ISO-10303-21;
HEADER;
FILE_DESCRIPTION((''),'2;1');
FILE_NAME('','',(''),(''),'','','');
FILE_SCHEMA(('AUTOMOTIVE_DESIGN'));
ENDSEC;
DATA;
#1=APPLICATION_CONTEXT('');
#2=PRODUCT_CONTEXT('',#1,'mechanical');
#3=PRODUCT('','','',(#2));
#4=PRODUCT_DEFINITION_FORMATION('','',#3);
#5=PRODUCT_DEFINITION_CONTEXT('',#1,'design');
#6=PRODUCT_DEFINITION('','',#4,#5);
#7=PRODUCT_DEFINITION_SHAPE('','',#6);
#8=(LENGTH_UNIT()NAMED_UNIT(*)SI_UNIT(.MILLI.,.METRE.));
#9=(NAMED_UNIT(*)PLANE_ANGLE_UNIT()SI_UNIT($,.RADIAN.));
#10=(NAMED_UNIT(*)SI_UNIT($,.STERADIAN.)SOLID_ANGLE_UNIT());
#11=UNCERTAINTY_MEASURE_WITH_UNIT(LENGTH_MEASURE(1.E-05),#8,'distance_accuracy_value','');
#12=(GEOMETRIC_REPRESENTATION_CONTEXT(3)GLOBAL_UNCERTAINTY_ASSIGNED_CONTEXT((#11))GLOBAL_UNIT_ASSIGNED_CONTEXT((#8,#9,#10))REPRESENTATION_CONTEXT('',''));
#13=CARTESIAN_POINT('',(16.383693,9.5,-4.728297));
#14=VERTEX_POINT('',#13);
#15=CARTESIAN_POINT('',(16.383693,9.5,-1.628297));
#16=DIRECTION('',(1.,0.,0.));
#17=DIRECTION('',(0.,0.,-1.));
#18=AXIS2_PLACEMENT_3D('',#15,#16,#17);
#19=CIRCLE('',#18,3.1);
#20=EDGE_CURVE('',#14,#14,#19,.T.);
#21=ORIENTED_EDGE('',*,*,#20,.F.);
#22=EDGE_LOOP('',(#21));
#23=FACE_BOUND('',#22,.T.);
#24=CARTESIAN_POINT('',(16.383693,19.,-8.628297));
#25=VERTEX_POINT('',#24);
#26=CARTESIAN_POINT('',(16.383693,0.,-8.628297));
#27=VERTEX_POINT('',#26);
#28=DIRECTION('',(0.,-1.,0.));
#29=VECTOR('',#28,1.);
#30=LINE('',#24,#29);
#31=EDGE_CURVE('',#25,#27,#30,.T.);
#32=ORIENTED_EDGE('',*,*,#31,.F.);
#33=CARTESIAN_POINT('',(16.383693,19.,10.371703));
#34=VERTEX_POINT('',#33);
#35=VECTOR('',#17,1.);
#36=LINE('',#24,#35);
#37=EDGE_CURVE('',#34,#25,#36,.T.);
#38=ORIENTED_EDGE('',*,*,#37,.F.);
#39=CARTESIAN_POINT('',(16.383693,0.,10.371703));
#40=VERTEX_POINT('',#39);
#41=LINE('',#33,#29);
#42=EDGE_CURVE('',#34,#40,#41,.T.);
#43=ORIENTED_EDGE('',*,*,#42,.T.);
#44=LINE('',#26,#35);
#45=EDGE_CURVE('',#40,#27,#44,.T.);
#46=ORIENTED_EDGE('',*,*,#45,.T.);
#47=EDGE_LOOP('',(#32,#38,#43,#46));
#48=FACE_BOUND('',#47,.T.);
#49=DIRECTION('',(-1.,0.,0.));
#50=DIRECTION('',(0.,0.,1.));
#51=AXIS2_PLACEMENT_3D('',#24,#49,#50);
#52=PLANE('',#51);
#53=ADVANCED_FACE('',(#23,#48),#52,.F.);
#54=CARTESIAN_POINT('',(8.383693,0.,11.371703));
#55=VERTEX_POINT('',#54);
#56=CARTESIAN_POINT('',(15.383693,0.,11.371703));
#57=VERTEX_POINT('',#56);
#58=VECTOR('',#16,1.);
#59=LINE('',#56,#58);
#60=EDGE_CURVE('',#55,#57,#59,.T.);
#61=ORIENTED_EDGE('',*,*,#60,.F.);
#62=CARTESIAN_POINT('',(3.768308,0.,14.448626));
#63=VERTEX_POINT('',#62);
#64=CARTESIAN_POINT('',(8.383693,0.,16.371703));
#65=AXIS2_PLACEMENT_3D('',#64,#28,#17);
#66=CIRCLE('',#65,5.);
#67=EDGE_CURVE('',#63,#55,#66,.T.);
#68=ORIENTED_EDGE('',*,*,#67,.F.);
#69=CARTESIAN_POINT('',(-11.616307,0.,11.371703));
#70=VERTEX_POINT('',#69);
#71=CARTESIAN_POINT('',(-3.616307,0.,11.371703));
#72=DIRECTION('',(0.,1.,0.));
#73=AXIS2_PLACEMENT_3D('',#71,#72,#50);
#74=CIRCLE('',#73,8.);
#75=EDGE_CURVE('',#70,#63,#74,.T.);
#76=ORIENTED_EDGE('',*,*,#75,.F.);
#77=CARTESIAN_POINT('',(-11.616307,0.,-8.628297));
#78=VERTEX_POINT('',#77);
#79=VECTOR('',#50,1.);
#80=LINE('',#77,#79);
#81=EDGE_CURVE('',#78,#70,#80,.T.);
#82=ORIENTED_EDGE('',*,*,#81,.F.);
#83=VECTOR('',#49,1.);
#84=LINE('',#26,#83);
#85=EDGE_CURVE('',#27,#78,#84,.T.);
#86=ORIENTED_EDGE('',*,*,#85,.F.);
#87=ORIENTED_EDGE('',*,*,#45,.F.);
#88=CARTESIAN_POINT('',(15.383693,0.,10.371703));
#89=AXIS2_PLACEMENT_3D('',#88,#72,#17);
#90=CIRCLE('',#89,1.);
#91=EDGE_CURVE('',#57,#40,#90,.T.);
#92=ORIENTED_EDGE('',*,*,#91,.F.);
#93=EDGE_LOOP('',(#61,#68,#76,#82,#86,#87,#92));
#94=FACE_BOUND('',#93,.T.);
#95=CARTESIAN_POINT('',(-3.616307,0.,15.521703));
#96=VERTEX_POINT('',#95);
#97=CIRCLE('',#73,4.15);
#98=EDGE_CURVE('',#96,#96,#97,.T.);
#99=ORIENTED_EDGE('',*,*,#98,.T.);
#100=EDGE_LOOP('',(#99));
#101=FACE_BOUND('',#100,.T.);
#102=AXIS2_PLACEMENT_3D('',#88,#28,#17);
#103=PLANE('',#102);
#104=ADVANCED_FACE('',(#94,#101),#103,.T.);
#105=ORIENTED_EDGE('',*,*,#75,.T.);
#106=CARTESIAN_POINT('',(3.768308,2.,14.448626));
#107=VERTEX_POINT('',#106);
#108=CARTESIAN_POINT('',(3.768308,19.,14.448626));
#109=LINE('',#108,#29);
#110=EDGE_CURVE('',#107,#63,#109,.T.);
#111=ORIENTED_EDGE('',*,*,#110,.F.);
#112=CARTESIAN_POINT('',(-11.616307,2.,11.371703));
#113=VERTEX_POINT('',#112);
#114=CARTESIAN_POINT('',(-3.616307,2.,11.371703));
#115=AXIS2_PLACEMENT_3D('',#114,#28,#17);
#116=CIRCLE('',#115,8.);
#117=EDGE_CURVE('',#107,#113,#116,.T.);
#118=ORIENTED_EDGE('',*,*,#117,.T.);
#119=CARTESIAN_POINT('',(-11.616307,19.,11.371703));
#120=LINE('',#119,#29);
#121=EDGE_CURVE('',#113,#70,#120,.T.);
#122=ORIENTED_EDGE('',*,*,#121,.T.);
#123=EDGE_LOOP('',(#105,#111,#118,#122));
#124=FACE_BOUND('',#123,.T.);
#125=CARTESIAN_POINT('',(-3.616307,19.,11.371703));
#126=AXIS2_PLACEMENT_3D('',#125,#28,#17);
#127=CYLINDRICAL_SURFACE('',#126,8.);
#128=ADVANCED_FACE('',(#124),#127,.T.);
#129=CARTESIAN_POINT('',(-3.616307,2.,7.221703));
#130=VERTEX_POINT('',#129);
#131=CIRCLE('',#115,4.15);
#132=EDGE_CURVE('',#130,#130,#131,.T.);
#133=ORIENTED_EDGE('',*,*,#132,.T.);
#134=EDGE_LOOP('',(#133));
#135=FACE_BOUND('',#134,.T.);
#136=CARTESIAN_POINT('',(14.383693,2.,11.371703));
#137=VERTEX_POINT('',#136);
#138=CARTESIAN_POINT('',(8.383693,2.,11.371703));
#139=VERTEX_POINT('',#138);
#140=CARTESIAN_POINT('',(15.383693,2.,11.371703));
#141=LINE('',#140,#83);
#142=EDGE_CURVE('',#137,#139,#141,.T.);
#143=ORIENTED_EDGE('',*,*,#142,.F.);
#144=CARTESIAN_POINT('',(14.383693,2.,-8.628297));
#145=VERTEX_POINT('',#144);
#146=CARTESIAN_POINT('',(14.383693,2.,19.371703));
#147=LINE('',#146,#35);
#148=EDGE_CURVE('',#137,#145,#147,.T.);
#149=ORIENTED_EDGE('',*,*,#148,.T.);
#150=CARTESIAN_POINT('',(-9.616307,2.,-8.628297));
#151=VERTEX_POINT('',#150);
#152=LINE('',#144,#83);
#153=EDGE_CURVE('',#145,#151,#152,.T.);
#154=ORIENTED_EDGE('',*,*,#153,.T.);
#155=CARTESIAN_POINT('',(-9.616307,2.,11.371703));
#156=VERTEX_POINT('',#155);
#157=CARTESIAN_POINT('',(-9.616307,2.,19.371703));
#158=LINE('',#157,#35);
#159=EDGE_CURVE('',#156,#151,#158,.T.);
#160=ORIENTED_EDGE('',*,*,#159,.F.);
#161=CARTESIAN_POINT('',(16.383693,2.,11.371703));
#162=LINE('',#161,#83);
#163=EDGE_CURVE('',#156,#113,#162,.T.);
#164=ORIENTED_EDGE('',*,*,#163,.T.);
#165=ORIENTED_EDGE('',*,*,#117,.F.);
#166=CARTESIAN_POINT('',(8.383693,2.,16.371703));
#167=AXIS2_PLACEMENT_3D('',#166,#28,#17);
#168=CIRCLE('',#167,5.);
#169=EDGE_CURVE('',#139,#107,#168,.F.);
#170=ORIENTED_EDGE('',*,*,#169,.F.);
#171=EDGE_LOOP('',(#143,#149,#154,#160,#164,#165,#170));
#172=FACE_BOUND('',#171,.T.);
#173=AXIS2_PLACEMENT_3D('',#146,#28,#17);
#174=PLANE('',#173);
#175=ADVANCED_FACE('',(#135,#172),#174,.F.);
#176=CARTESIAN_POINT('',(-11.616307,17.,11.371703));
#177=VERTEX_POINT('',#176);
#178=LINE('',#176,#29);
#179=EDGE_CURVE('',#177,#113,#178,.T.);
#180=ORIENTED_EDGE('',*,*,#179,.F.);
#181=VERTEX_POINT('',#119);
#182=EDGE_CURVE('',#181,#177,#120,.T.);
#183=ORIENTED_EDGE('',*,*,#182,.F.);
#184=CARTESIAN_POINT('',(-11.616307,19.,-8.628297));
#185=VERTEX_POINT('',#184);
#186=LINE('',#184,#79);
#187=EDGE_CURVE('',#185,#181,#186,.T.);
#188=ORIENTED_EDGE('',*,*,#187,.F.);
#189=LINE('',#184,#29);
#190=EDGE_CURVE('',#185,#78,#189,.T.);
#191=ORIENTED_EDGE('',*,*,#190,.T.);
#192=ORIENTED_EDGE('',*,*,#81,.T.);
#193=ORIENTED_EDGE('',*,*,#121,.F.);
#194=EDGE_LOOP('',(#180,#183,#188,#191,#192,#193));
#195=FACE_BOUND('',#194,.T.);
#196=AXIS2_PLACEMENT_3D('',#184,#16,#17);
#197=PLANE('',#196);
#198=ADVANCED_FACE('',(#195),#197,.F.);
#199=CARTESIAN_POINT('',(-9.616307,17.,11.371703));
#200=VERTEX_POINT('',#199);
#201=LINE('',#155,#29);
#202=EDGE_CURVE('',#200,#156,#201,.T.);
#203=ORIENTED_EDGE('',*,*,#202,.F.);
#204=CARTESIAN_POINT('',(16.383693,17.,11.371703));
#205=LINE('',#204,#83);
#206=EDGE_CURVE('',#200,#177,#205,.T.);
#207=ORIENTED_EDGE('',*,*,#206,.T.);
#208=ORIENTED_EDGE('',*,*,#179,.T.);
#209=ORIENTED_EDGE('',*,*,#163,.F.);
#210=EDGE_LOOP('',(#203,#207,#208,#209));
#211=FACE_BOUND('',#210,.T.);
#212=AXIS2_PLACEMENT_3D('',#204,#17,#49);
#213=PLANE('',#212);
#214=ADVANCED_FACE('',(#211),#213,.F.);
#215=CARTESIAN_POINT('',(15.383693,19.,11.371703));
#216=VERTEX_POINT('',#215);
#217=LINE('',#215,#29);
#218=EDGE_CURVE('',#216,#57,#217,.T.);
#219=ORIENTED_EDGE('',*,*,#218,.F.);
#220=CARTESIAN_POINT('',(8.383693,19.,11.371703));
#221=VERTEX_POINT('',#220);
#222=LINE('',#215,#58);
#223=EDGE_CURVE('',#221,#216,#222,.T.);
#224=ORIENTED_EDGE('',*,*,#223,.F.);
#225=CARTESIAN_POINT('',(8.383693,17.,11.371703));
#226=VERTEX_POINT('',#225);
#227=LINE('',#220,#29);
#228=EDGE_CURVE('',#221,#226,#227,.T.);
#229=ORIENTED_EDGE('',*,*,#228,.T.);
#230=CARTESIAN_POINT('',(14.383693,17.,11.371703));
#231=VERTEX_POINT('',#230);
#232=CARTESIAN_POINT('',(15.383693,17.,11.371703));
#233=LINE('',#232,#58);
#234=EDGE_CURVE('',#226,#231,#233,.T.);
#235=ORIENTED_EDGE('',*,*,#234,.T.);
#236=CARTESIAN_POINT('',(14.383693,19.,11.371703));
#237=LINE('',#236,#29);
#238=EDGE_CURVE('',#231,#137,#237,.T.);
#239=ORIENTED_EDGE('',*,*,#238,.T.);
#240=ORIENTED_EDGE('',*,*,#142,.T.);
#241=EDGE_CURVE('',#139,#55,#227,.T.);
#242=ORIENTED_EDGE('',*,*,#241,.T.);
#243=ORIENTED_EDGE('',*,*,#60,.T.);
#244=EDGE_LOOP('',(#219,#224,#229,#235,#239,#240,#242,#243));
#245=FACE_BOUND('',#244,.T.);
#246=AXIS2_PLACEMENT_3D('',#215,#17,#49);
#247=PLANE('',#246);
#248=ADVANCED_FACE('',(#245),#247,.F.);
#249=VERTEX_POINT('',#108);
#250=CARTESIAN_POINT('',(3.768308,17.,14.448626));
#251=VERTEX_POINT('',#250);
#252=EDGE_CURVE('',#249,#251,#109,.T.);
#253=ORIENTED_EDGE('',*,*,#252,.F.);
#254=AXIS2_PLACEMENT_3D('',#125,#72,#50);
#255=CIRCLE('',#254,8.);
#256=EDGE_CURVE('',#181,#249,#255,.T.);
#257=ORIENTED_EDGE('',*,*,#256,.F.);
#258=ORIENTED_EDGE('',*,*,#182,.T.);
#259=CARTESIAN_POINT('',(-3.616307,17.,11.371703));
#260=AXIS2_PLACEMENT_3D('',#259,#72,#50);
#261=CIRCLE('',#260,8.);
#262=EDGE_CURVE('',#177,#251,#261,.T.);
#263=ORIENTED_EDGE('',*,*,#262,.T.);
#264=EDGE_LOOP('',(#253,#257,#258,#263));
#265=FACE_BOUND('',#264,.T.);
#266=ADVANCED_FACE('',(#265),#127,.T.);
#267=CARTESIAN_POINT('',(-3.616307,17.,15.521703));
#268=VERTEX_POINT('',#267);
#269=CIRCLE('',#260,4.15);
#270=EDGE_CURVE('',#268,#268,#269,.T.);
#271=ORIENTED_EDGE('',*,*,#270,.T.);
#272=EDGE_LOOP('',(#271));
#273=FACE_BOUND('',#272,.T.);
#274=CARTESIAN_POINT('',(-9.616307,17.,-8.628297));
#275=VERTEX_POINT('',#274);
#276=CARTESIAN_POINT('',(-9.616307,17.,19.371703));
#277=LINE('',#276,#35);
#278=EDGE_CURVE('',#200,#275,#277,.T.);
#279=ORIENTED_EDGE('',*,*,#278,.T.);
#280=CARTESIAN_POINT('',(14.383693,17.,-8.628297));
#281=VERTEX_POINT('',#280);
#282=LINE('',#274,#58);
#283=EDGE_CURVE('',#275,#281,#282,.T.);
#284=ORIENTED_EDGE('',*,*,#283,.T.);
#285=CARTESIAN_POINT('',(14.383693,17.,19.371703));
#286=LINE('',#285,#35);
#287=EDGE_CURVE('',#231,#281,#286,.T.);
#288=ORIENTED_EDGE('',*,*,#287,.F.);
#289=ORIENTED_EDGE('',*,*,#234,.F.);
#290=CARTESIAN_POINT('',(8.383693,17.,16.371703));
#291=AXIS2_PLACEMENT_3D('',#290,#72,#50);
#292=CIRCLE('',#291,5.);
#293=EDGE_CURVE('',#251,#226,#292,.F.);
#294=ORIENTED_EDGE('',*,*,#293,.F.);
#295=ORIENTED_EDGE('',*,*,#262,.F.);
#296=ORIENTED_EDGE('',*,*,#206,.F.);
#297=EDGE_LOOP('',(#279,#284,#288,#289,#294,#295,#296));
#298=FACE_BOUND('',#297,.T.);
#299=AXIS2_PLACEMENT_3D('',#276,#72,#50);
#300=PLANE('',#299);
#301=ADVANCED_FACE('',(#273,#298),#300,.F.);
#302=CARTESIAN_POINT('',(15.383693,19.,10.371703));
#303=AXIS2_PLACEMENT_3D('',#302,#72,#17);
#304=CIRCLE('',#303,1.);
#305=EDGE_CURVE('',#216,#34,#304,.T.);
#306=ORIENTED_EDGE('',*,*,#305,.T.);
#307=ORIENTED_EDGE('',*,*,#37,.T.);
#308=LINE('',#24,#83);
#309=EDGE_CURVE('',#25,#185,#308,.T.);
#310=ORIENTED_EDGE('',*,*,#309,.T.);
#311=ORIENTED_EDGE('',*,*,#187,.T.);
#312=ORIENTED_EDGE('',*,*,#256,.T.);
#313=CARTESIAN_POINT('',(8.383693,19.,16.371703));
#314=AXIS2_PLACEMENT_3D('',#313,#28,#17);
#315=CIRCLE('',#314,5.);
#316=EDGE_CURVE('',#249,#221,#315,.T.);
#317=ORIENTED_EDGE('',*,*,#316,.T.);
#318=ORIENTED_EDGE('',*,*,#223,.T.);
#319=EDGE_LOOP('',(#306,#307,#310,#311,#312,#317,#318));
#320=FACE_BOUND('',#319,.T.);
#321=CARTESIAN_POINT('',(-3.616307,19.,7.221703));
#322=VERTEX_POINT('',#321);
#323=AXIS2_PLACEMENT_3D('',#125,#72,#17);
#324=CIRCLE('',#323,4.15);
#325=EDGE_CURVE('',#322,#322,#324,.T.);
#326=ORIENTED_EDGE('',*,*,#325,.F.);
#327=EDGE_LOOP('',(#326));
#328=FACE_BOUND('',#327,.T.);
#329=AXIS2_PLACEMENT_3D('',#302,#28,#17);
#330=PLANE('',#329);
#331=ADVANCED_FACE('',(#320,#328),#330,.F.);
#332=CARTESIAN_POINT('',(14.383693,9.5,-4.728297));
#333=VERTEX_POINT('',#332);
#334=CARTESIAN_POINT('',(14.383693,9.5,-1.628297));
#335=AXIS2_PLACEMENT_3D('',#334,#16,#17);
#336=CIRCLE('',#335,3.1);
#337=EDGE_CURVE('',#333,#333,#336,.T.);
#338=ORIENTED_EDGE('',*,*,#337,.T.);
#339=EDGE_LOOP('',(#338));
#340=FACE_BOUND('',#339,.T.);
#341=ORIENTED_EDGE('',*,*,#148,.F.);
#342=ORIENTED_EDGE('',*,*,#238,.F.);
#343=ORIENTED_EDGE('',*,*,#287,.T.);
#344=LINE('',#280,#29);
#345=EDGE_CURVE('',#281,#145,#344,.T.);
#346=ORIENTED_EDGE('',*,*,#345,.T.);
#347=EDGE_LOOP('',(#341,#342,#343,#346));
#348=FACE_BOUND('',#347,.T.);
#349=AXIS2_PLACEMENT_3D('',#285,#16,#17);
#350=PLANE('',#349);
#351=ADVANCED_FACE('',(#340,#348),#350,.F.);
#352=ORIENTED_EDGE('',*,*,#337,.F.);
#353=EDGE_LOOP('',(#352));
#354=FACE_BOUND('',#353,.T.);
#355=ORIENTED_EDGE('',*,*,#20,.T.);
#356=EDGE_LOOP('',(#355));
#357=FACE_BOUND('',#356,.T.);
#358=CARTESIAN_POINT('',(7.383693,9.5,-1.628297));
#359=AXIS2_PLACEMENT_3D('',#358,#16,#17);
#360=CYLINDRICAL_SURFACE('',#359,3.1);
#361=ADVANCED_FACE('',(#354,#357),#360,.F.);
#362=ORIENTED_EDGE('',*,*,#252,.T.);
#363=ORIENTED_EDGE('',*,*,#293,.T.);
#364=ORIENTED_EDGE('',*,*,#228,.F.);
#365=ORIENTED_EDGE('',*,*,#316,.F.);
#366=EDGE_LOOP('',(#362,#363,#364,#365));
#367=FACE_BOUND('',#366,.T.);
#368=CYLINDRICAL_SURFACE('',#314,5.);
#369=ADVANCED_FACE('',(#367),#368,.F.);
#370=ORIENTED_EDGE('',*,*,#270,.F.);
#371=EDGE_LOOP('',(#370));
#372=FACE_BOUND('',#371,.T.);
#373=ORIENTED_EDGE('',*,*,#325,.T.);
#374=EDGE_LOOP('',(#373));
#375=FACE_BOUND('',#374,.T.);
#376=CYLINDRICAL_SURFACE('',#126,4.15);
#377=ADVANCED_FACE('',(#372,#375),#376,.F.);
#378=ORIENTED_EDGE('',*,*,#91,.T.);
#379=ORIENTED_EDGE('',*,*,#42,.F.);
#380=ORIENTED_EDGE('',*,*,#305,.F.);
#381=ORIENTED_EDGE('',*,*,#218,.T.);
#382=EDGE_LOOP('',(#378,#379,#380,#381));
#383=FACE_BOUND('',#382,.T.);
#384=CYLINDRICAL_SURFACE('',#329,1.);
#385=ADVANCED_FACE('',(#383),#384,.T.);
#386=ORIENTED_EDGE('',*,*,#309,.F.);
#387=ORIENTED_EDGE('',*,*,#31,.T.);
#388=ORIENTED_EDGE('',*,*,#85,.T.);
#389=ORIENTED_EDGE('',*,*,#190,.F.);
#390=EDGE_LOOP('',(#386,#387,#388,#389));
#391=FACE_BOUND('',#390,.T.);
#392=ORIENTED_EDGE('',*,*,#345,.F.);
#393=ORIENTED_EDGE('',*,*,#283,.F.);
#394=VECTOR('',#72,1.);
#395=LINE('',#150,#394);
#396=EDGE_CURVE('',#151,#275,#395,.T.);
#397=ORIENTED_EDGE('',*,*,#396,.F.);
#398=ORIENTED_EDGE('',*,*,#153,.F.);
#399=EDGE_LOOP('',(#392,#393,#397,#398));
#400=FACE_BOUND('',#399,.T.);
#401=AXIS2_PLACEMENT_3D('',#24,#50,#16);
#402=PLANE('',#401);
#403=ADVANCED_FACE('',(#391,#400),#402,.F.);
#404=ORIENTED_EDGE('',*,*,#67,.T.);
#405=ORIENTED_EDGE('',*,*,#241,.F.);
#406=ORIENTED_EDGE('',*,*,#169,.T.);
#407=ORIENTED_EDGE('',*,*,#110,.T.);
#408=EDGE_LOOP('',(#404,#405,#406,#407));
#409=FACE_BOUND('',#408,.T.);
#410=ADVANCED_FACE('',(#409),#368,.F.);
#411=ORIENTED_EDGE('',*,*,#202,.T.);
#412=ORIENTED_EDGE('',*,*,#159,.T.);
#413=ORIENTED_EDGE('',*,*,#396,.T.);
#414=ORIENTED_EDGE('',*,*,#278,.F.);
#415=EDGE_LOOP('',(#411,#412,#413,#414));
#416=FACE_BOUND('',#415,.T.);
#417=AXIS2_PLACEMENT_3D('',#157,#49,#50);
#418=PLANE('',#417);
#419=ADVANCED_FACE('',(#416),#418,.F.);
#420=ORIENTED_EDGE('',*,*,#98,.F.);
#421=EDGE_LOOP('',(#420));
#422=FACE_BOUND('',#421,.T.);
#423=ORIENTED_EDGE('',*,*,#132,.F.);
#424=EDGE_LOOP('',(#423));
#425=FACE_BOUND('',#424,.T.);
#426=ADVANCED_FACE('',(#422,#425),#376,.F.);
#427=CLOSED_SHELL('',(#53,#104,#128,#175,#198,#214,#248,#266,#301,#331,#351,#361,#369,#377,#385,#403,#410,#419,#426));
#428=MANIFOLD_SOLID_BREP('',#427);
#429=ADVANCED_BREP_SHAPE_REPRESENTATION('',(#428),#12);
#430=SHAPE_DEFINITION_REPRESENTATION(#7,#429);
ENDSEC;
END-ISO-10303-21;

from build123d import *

# Parameters (mm, degrees)
BOSS_EXTRUDE1_DEPTH = 19
SKETCH2_W           = 24
SKETCH2_H           = 15
CUT_EXTRUDE1_DEPTH  = 38.59555024
SKETCH3_W           = 5.291502622
SKETCH3_H           = 15
CUT_EXTRUDE2_DEPTH  = 39.990548382
SKETCH4_R           = 3.1
CUT_EXTRUDE4_DEPTH  = 9


with BuildPart() as part:
    # Sketch1 → Boss-Extrude1 (new body)
    with BuildSketch(Plane(origin=(0, 0, 0), x_dir=(1, 0, 0), z_dir=(0, 1, 0))):
        with BuildLine():
            Line((16.383693046, 8.628297362), (-11.616306954, 8.628297362))
            Line((-11.616306954, 8.628297362), (-11.616306954, -11.371702638))
            ThreePointArc((-11.616306954, -11.371702638), (-5.185236036, -19.216348043), (3.76830843, -14.448625715))
            ThreePointArc((3.76830843, -14.448625715), (5.610192064, -12.211451166), (8.383693046, -11.371702638))
            Line((8.383693046, -11.371702638), (15.383693046, -11.371702638))
            ThreePointArc((15.383693046, -11.371702638), (16.090799827, -11.078809419), (16.383693046, -10.371702638))
            Line((16.383693046, -10.371702638), (16.383693046, 8.628297362))
        make_face()
        with BuildLine():
            ThreePointArc((-7.766306954, -11.371702638), (-3.616306954, -15.521702638), (0.533693046, -11.371702638))
            ThreePointArc((0.533693046, -11.371702638), (-3.616306954, -7.221702638), (-7.766306954, -11.371702638))
        make_face(mode=Mode.SUBTRACT)
    extrude(amount=BOSS_EXTRUDE1_DEPTH)

    # Sketch2 → Cut-Extrude1 (cut, through all)
    with BuildSketch(Plane(origin=(0, 0, -8.628297362), x_dir=(-1, 0, 0), z_dir=(0, 0, -1))):
        with Locations((-2.383693046, 9.5)):
            Rectangle(SKETCH2_W, SKETCH2_H)
    extrude(amount=-CUT_EXTRUDE1_DEPTH, mode=Mode.SUBTRACT)

    # Sketch3 → Cut-Extrude2 (cut, through all)
    with BuildSketch(Plane.ZY.offset(11.616306954)):
        with Locations((14.017453949, 9.5)):
            Rectangle(SKETCH3_W, SKETCH3_H)
    extrude(amount=-CUT_EXTRUDE2_DEPTH, mode=Mode.SUBTRACT)

    # Sketch4 → Cut-Extrude4 (cut)
    with BuildSketch(Plane(origin=(16.383693046, 0, 0), x_dir=(0, 0, -1), z_dir=(1, 0, 0))):
        with Locations((1.628297362, 9.5)):
            Circle(SKETCH4_R)
    extrude(amount=-CUT_EXTRUDE4_DEPTH, mode=Mode.SUBTRACT)


solid = part.part
